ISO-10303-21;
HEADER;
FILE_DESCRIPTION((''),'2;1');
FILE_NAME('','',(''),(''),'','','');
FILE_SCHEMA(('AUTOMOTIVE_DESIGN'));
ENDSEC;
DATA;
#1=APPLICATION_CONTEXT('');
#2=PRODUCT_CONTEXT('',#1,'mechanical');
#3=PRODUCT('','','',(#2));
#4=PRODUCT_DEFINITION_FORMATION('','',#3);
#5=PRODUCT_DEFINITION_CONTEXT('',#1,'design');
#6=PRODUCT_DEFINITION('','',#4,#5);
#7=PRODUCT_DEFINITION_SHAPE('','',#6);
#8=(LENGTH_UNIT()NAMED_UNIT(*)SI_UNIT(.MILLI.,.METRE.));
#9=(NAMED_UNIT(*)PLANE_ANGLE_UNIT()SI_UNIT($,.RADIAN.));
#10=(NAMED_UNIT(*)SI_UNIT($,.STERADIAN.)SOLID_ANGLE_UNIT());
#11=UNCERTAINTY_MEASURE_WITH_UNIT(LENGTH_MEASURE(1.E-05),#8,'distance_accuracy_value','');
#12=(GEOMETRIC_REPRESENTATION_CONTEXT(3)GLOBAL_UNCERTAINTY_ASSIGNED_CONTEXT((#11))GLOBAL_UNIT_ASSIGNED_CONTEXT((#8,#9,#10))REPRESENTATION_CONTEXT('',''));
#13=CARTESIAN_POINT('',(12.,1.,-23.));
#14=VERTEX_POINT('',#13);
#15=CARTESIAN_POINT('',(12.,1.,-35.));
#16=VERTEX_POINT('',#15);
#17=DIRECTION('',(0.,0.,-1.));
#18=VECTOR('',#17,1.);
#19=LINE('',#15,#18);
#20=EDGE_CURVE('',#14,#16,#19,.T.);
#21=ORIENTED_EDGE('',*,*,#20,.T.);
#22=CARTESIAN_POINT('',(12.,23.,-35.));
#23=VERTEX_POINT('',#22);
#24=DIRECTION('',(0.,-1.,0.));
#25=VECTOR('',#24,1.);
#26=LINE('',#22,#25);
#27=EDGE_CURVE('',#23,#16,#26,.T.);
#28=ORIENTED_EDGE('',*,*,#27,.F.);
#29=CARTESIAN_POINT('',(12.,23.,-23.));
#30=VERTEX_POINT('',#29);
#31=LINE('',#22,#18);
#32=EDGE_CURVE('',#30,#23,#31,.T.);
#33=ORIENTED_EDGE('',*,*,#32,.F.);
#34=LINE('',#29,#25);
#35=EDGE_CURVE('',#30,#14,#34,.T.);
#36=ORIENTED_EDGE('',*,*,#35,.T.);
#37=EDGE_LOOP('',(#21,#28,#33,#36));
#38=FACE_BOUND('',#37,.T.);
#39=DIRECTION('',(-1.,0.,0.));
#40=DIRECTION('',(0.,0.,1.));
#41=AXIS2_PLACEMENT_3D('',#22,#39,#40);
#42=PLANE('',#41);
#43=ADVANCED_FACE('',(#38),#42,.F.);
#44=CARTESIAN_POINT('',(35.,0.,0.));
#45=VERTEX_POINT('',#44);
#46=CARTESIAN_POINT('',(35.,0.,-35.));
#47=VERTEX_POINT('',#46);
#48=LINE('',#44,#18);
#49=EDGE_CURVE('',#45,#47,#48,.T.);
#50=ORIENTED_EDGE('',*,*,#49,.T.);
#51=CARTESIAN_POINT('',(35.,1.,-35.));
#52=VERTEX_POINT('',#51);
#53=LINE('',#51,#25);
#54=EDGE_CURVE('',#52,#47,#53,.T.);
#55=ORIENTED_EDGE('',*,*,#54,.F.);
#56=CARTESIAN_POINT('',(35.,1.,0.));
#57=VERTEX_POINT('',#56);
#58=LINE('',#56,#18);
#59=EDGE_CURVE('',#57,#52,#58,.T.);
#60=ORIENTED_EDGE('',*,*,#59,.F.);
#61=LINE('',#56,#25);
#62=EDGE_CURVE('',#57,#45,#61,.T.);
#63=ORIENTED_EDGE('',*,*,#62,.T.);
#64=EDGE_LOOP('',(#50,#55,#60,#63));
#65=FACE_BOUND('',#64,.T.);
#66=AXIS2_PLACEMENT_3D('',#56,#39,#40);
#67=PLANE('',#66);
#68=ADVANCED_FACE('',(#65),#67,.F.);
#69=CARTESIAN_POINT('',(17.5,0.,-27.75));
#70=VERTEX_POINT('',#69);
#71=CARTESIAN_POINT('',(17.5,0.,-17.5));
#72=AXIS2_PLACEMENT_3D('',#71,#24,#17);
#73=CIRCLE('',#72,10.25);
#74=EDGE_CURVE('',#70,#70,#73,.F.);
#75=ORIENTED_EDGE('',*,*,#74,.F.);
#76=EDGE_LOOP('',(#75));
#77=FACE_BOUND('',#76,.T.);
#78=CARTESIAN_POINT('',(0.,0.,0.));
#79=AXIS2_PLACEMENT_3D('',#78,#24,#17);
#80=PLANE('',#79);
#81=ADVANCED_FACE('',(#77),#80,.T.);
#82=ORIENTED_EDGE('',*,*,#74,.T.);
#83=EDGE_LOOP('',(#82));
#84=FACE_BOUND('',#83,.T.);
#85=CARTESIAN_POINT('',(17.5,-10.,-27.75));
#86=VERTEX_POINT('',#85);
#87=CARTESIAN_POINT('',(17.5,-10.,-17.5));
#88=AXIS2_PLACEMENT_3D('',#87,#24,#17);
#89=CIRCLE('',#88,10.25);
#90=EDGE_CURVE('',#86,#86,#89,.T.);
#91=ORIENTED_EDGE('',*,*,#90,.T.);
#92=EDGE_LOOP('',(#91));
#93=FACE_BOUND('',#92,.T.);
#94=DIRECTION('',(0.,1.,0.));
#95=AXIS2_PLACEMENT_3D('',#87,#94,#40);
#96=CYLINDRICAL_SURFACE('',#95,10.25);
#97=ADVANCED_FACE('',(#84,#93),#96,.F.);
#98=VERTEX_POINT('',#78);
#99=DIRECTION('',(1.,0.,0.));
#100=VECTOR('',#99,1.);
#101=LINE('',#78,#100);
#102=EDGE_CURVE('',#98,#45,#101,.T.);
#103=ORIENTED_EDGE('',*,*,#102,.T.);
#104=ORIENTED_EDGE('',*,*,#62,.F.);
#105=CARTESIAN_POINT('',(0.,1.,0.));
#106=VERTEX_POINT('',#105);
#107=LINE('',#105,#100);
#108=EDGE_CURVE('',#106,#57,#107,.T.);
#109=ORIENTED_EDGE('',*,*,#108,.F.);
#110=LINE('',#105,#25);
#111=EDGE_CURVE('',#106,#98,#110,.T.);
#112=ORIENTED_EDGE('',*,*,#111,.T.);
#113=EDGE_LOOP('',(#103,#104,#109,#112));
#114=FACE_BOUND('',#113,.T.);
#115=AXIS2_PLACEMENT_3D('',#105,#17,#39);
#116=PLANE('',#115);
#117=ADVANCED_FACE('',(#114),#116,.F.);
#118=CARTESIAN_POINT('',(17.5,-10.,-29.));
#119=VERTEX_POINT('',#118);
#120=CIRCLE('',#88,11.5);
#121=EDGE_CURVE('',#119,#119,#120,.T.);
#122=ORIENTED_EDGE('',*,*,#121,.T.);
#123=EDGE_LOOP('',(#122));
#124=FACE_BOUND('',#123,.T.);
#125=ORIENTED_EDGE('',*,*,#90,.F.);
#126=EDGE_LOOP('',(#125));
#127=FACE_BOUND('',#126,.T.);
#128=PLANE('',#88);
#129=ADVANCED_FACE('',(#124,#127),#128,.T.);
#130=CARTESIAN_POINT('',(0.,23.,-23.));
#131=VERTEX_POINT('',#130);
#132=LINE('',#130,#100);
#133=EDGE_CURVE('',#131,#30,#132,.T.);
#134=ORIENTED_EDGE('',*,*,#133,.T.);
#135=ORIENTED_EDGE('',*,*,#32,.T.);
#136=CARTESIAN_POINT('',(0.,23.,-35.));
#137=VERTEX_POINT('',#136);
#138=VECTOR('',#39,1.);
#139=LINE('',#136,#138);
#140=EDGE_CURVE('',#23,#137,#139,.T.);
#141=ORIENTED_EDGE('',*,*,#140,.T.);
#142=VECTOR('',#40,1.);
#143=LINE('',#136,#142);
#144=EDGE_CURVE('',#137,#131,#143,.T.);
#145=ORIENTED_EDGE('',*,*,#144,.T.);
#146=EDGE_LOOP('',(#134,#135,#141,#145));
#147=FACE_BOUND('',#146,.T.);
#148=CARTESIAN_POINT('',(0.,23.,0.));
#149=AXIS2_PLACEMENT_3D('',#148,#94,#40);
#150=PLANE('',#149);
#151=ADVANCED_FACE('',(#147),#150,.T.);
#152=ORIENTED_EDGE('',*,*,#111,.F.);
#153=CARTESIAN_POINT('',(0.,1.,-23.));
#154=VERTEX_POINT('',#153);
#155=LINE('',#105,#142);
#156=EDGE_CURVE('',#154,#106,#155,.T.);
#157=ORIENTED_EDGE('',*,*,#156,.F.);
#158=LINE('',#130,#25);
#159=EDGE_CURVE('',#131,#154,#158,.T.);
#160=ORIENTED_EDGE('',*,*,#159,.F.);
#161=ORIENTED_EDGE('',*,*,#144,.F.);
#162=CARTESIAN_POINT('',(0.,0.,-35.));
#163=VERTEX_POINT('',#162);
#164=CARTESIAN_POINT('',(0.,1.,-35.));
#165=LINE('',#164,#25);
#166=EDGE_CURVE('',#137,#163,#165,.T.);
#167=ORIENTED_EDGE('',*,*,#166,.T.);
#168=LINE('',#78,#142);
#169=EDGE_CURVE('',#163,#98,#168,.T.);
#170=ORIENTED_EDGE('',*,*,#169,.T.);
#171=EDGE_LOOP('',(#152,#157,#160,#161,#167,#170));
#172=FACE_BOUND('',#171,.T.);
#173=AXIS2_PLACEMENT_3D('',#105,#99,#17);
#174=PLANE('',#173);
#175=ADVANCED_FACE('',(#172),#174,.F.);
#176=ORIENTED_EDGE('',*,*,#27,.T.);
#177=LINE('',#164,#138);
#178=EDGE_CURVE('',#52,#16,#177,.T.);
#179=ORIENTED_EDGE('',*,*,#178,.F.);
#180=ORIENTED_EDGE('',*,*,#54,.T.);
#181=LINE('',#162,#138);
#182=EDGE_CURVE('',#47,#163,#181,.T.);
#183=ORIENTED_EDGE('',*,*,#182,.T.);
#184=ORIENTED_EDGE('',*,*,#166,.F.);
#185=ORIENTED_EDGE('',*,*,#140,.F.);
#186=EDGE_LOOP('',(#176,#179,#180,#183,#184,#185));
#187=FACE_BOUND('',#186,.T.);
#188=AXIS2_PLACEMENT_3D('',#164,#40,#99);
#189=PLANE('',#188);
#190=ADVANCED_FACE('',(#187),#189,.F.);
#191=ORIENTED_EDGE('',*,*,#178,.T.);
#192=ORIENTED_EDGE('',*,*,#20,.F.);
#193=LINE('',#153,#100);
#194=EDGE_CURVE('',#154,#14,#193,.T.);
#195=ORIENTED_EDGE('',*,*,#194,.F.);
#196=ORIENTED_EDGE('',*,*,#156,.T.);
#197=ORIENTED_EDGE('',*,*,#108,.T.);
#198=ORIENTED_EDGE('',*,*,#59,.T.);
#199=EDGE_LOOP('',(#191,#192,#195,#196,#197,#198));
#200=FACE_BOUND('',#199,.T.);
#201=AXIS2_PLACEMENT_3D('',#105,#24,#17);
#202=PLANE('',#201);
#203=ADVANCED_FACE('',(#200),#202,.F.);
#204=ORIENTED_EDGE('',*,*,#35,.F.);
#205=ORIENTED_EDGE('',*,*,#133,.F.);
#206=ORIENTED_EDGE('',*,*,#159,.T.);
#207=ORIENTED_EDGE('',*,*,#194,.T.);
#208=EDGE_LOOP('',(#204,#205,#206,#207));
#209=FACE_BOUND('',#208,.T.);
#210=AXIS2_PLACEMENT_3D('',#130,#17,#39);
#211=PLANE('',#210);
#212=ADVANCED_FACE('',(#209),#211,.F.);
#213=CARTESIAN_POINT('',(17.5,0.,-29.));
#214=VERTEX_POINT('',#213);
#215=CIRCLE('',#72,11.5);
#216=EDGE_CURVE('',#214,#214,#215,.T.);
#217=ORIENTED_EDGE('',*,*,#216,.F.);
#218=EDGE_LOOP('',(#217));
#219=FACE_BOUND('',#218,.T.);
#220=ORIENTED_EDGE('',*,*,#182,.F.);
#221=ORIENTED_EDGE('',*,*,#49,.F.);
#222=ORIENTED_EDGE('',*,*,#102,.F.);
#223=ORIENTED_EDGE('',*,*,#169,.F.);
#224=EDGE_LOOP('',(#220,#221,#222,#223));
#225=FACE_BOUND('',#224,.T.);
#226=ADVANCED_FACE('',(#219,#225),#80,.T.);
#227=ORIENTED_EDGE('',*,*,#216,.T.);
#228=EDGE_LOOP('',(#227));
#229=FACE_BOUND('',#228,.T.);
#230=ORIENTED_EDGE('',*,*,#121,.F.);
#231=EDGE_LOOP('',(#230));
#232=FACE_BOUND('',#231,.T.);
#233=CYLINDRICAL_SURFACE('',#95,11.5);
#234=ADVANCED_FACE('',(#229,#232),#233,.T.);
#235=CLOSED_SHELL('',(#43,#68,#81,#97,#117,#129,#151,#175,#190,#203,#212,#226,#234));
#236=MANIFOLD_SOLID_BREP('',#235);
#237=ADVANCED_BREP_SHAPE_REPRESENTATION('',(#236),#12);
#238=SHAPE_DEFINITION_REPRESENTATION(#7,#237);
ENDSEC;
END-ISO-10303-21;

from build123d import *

# Parameters (mm, degrees)
SKETCH1_W           = 35
SKETCH1_H           = 35
BOSS_EXTRUDE1_DEPTH = 1
SKETCH2_W           = 12
SKETCH2_H           = 12
BOSS_EXTRUDE2_DEPTH = 22
SKETCH3_R           = 11.5
SKETCH3_R_2         = 10.25
BOSS_EXTRUDE3_DEPTH = 10


with BuildPart() as part:
    # Sketch1 → Boss-Extrude1 (new body)
    with BuildSketch(Plane(origin=(0, 0, 0), x_dir=(1, 0, 0), z_dir=(0, 1, 0))):
        with Locations((17.5, 17.5)):
            Rectangle(SKETCH1_W, SKETCH1_H)
    extrude(amount=BOSS_EXTRUDE1_DEPTH)

    # Sketch2 → Boss-Extrude2 (add)
    with BuildSketch(Plane(origin=(0, 1, 0), x_dir=(1, 0, 0), z_dir=(0, 1, 0))):
        with Locations((6, 29)):
            Rectangle(SKETCH2_W, SKETCH2_H)
    extrude(amount=BOSS_EXTRUDE2_DEPTH)

    # Sketch3 → Boss-Extrude3 (add)
    with BuildSketch(Plane.XZ):
        with Locations(Location((17.5, -17.5, 0), (0, 0, 270))):
            Circle(SKETCH3_R)
        with Locations(Location((17.5, -17.5, 0), (0, 0, 270))):
            Circle(SKETCH3_R_2, mode=Mode.SUBTRACT)
    extrude(amount=BOSS_EXTRUDE3_DEPTH)


solid = part.part
